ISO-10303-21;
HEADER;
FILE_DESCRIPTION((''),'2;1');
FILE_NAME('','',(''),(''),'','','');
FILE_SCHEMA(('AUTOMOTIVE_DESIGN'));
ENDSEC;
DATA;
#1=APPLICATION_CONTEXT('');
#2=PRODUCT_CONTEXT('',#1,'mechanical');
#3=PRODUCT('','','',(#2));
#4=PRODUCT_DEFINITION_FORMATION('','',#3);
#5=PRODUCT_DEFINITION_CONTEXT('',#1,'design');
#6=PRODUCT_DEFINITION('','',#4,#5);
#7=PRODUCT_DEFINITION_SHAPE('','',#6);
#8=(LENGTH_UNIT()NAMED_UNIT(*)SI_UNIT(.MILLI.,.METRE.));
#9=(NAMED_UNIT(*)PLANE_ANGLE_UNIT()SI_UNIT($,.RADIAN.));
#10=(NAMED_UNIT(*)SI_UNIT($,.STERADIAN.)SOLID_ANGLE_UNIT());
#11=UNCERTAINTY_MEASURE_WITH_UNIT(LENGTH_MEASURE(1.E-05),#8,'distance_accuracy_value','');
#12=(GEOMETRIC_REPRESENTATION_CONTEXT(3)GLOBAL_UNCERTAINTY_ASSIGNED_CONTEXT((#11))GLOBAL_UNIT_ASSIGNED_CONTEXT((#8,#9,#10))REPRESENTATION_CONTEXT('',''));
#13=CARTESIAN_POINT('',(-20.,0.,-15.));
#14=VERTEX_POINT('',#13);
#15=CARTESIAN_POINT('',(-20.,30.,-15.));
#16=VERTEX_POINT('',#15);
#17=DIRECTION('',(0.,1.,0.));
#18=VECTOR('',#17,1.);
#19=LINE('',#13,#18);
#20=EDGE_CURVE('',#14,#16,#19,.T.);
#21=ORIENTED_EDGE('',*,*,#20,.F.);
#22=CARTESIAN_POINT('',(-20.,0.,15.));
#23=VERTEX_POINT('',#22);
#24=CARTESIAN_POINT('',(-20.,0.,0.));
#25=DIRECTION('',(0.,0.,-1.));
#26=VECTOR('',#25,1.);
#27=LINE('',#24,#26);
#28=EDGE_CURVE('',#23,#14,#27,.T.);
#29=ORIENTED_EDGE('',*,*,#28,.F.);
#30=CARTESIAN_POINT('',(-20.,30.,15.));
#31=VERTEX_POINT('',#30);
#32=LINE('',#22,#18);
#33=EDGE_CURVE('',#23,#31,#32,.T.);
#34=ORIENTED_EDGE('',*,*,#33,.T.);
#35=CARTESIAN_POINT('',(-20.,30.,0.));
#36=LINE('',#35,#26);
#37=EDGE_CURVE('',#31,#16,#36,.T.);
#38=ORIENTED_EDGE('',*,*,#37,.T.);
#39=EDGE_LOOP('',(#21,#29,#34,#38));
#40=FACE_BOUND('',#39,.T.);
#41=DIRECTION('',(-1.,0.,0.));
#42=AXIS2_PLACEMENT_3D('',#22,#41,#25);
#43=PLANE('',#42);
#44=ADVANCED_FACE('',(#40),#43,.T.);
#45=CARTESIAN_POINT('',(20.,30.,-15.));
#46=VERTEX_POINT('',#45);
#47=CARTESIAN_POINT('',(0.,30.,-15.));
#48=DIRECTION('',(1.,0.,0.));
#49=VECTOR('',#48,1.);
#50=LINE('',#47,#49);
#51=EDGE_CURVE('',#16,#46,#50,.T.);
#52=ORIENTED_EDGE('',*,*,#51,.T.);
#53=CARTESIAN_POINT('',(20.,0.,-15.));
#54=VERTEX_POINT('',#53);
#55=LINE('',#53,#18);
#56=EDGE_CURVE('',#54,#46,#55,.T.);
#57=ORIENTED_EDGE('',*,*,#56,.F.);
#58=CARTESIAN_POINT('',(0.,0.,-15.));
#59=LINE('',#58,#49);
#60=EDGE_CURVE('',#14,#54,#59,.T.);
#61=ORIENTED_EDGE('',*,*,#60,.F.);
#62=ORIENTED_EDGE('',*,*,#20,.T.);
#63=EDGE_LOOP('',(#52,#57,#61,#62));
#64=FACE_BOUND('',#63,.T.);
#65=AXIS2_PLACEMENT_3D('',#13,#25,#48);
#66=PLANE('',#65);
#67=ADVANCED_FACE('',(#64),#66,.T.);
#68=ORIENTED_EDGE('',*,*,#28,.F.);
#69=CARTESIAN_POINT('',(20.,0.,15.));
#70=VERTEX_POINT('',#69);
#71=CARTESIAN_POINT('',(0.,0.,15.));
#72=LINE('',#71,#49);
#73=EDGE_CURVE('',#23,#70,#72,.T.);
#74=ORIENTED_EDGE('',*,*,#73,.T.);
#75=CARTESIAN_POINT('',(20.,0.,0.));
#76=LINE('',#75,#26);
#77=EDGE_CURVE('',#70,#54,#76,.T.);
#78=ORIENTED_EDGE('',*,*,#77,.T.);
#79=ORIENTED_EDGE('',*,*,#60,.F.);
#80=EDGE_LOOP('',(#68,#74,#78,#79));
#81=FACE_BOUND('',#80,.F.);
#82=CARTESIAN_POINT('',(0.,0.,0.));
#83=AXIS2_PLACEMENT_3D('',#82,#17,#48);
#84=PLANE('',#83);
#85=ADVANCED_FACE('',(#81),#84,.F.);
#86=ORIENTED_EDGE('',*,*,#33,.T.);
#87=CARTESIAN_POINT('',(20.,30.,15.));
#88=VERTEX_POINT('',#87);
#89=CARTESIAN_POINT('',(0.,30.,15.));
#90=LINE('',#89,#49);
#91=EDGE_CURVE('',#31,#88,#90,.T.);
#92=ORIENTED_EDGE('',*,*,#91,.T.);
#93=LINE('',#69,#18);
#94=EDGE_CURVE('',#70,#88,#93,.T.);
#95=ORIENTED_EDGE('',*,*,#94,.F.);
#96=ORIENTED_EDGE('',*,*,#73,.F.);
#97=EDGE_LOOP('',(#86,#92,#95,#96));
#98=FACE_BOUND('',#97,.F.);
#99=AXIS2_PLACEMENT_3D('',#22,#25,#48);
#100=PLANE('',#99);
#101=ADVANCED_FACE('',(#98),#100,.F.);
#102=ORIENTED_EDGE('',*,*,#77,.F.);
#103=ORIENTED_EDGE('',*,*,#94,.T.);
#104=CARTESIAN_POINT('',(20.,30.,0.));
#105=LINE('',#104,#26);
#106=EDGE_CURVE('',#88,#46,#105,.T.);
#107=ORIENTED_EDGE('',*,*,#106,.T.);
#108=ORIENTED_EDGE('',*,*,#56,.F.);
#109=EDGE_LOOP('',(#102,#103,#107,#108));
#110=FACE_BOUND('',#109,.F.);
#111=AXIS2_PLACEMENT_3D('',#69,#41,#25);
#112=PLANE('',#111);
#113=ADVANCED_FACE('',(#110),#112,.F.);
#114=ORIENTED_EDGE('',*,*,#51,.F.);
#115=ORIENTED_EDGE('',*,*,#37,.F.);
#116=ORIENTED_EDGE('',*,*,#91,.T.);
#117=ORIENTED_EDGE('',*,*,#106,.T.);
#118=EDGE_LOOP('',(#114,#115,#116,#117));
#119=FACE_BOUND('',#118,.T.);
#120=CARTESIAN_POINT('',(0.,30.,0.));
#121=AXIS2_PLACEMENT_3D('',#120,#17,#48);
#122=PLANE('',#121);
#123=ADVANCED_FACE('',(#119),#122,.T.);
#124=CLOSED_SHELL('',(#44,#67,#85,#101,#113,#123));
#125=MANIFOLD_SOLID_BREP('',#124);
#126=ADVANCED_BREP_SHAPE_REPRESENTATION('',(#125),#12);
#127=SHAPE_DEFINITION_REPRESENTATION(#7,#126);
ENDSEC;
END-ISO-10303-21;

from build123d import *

# Parameters (mm, degrees)
CROQUIS1_W              = 40
CROQUIS1_H              = 30
SALIENTE_EXTRUIR1_DEPTH = 30


with BuildPart() as part:
    # Croquis1 → Saliente-Extruir1 (new body)
    with BuildSketch(Plane(origin=(0, 0, 0), x_dir=(1, 0, 0), z_dir=(0, 1, 0))):
        Rectangle(CROQUIS1_W, CROQUIS1_H)
    extrude(amount=SALIENTE_EXTRUIR1_DEPTH)


solid = part.part
